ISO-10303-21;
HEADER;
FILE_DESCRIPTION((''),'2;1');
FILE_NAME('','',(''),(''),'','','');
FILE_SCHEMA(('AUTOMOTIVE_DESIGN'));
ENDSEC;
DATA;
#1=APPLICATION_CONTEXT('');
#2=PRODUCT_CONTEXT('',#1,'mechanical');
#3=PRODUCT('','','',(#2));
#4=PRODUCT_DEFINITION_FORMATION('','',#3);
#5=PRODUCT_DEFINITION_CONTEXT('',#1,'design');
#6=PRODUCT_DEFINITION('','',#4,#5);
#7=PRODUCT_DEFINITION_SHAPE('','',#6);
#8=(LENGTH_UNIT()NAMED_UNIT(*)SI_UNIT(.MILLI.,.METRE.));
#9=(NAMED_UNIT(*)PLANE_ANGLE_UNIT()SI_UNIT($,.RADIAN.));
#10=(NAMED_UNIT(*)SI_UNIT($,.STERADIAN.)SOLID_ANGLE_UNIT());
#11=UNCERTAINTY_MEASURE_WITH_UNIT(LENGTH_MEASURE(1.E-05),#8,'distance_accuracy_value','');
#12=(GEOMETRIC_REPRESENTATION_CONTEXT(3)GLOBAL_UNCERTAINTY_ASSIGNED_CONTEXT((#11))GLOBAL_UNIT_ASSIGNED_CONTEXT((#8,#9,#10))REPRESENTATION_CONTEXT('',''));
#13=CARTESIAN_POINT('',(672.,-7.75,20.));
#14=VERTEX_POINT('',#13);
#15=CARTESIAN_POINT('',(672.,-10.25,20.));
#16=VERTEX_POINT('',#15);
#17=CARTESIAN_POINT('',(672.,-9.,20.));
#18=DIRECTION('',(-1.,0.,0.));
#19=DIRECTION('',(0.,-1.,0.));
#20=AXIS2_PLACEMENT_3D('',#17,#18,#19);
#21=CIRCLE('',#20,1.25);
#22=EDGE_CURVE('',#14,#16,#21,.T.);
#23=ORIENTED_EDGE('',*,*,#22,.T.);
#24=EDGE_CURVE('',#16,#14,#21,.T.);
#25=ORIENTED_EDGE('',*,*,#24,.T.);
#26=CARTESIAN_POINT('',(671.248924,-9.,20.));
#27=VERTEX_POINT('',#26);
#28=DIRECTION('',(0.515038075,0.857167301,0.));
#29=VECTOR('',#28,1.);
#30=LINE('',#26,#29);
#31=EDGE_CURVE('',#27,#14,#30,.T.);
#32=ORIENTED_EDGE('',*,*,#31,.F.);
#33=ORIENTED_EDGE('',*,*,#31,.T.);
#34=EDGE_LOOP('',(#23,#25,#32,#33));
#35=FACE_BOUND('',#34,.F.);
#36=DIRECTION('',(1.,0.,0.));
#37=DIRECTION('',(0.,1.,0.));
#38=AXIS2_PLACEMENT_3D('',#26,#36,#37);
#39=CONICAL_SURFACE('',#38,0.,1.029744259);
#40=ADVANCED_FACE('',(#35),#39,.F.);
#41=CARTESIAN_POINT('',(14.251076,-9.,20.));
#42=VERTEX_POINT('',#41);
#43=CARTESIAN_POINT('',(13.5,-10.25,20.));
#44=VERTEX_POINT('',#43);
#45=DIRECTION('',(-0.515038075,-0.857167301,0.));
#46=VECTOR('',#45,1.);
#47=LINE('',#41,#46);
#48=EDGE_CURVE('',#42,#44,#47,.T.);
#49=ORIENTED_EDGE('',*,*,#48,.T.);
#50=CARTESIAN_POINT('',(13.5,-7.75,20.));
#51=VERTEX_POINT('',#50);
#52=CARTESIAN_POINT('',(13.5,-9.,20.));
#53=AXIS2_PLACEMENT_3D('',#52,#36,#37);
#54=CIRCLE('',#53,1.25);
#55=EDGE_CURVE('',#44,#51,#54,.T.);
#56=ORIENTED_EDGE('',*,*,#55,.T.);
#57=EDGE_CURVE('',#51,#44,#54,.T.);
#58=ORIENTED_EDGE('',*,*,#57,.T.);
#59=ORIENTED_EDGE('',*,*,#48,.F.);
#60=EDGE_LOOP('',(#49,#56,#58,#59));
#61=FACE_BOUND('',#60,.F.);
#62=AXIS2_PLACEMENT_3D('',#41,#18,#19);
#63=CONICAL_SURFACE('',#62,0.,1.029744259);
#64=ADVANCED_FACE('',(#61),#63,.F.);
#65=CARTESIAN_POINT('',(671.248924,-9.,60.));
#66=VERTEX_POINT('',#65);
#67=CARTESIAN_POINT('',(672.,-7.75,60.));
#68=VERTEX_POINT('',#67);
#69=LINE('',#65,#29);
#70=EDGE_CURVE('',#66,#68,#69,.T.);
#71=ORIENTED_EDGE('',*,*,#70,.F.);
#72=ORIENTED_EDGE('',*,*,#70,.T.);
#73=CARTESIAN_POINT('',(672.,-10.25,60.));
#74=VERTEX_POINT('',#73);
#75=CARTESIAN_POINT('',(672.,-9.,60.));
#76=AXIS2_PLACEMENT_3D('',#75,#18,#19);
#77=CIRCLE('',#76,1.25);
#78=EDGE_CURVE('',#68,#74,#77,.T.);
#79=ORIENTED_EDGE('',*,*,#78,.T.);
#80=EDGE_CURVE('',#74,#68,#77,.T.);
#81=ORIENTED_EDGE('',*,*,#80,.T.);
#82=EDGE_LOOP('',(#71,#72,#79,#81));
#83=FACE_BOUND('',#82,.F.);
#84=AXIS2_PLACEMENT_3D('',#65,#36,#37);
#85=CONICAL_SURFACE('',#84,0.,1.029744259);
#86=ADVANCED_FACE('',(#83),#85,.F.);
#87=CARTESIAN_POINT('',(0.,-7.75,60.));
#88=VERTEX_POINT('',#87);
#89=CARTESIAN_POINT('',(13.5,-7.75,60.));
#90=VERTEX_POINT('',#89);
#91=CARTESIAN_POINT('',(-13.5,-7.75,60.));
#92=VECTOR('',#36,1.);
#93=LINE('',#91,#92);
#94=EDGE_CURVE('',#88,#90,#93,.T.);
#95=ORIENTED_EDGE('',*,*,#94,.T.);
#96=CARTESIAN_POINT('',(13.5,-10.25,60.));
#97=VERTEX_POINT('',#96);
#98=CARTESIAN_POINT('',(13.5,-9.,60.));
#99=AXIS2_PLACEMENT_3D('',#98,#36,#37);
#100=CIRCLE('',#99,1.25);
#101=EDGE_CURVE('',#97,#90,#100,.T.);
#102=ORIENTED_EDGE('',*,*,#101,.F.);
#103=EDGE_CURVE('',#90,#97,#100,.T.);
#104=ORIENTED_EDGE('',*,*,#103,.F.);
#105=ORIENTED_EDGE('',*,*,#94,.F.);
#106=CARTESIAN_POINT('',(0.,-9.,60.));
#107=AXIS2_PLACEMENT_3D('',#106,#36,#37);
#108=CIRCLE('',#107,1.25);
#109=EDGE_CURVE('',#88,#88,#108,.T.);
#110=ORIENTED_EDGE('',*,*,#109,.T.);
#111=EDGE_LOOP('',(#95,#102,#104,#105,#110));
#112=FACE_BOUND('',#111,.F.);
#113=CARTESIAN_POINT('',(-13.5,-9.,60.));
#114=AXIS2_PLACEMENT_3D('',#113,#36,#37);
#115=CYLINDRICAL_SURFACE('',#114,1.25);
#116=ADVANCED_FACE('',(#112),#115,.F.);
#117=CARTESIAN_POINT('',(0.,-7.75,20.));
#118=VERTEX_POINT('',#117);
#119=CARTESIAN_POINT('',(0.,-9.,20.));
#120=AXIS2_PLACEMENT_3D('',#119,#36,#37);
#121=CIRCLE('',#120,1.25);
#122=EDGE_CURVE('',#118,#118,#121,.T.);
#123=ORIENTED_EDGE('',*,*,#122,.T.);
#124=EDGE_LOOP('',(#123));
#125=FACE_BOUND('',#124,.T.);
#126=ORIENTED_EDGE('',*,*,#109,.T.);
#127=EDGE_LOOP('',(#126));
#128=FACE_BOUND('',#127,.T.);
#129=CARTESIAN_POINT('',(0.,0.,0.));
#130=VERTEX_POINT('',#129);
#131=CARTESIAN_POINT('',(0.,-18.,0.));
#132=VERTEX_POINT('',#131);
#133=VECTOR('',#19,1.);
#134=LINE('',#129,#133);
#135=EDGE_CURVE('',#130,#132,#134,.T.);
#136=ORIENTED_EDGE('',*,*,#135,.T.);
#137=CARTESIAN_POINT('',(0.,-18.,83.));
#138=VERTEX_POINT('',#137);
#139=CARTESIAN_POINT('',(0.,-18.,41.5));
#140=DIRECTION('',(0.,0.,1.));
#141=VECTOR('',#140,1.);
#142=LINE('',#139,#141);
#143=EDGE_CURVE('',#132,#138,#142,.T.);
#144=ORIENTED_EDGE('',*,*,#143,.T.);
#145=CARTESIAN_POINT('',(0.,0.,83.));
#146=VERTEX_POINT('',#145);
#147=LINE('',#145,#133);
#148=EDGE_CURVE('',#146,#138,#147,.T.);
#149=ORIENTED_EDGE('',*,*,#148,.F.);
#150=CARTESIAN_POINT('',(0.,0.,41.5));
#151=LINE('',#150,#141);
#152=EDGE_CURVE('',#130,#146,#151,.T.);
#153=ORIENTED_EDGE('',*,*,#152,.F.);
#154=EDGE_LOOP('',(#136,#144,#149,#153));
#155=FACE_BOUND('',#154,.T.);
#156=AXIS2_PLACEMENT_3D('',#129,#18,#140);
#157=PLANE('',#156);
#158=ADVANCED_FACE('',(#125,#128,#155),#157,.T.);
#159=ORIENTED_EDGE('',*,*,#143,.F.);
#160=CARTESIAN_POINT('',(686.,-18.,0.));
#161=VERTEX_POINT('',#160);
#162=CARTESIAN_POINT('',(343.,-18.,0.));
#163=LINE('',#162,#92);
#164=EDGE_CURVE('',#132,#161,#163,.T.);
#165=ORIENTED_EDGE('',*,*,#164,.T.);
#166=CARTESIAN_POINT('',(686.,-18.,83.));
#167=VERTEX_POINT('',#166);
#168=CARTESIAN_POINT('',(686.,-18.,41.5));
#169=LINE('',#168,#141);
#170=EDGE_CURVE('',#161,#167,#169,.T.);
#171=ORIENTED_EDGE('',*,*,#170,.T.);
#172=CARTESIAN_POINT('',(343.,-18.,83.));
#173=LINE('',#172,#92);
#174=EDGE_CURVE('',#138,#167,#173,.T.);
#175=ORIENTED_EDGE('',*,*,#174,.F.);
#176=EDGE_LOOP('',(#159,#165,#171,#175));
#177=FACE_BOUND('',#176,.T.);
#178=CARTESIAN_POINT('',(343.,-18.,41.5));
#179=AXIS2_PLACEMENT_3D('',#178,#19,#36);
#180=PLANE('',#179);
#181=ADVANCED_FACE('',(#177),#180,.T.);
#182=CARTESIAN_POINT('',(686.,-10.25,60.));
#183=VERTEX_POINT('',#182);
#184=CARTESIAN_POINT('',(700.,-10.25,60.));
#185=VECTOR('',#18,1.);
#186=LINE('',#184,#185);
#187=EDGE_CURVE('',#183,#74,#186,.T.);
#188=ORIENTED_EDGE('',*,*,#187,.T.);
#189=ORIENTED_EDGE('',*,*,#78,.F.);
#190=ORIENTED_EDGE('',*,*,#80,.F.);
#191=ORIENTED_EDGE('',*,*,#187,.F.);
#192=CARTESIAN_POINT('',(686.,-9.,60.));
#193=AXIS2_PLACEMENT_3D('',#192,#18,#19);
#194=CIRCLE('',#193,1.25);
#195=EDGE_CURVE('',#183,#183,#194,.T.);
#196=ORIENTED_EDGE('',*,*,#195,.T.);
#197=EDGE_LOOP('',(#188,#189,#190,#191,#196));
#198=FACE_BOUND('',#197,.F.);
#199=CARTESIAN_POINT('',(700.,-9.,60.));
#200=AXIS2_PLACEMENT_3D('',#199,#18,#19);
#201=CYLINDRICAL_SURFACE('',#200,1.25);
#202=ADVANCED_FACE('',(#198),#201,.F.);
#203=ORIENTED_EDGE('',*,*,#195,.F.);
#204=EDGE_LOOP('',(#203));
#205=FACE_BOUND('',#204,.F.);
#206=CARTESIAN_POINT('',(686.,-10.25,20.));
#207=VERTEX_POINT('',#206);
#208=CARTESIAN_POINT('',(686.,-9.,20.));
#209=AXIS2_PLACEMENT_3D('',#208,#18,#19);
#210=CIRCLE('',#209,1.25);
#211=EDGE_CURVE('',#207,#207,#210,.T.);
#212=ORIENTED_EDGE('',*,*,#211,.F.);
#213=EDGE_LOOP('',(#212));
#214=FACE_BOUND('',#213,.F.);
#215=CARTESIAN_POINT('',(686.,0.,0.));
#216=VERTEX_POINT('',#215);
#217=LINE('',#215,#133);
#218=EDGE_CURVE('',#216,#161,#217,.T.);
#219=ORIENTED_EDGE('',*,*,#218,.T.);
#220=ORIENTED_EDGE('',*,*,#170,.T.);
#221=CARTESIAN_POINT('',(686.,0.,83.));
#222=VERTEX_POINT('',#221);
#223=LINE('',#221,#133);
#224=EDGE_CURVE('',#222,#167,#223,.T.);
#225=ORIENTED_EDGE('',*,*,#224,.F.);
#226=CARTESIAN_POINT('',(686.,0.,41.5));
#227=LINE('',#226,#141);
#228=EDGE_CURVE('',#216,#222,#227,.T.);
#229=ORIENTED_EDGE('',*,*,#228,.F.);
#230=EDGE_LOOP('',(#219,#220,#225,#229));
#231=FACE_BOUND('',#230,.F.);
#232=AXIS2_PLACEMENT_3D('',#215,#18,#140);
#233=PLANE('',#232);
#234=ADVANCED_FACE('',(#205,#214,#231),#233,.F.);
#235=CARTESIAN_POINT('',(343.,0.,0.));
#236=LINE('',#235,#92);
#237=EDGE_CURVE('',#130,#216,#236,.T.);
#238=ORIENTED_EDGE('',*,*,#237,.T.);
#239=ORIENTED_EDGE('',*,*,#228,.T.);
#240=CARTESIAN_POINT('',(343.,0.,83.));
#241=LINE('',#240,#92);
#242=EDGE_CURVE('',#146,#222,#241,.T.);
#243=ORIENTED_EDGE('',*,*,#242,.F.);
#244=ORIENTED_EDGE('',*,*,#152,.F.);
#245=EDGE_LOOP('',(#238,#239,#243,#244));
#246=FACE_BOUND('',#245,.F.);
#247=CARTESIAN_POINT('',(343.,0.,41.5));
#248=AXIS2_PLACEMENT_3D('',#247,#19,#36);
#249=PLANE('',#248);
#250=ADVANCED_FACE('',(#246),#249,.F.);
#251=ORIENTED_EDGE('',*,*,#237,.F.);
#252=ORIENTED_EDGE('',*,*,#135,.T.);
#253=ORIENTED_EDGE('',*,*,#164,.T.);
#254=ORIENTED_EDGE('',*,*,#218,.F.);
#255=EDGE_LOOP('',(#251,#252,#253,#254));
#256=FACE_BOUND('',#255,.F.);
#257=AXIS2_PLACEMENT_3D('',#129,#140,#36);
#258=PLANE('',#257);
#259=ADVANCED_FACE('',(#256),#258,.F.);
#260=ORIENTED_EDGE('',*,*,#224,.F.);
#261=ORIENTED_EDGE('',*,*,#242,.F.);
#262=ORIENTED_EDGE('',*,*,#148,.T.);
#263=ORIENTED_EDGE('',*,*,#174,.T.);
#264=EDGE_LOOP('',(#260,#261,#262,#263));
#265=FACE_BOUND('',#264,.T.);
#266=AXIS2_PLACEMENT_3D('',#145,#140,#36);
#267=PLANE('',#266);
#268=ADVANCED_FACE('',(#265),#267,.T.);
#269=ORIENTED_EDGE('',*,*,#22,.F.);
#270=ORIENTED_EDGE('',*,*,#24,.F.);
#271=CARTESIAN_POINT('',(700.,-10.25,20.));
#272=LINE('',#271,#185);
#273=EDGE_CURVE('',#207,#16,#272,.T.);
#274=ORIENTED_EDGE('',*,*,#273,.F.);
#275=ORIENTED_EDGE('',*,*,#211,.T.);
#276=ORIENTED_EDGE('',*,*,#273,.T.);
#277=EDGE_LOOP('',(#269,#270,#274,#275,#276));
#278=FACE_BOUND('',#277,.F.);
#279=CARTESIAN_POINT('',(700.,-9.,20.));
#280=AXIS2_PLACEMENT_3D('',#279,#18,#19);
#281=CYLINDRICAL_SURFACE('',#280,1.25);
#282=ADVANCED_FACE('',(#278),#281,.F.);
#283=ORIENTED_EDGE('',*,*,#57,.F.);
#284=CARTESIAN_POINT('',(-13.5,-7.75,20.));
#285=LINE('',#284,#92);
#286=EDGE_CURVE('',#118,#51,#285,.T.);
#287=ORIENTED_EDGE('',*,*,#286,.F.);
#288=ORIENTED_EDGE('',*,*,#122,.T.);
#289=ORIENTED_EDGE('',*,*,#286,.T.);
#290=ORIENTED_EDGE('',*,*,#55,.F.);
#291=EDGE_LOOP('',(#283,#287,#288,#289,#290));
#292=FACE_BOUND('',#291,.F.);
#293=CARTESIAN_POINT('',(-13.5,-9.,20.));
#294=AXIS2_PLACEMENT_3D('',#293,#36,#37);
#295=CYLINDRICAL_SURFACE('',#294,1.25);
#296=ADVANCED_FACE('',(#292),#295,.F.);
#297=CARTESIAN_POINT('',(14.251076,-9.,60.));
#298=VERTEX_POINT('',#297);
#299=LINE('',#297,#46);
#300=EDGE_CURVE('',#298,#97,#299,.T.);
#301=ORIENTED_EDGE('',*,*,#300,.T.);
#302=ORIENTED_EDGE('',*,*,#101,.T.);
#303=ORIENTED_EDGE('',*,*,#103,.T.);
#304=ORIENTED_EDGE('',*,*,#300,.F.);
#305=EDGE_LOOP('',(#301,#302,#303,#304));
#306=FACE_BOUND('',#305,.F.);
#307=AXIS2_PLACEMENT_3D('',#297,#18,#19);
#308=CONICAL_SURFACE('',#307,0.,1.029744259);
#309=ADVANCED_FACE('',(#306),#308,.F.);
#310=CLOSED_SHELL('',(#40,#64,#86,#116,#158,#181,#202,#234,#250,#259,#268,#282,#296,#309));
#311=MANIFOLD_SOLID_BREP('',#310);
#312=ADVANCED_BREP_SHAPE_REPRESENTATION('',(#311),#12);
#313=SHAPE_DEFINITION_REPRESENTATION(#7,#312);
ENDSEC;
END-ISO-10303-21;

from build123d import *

# Parameters (mm, degrees)
F0_W     = 686
F0_H     = 83
F1_DEPTH = 18
F3_D     = 2.5
F3_DEPTH = 13.5
F3_TIP   = 0.7510757738
F5_D     = 2.5
F5_DEPTH = 14
F5_TIP   = 0.7510757738


with BuildPart() as f1:
    # F0 (on Front) → F1 (new body)
    with BuildSketch(Plane.XZ):
        with Locations((343, 41.5)):
            Rectangle(F0_W, F0_H)
    extrude(amount=F1_DEPTH)

    # F3
    with Locations(Plane(origin=(0, 0, 0), x_dir=(0, -1, 0), z_dir=(-1, 0, 0))):
        with Locations((9, 20), (9, 60)):
            Hole(F3_D / 2, depth=F3_DEPTH)
            with Locations((0, 0, -(F3_DEPTH + F3_TIP / 2))):  # 118° drill point
                Cone(0, F3_D / 2, F3_TIP, mode=Mode.SUBTRACT)

    # F5
    with Locations(Plane.YZ.offset(686)):
        with Locations((-9, 20), (-9, 60)):
            Hole(F5_D / 2, depth=F5_DEPTH)
            with Locations((0, 0, -(F5_DEPTH + F5_TIP / 2))):  # 118° drill point
                Cone(0, F5_D / 2, F5_TIP, mode=Mode.SUBTRACT)


solid = f1.part
